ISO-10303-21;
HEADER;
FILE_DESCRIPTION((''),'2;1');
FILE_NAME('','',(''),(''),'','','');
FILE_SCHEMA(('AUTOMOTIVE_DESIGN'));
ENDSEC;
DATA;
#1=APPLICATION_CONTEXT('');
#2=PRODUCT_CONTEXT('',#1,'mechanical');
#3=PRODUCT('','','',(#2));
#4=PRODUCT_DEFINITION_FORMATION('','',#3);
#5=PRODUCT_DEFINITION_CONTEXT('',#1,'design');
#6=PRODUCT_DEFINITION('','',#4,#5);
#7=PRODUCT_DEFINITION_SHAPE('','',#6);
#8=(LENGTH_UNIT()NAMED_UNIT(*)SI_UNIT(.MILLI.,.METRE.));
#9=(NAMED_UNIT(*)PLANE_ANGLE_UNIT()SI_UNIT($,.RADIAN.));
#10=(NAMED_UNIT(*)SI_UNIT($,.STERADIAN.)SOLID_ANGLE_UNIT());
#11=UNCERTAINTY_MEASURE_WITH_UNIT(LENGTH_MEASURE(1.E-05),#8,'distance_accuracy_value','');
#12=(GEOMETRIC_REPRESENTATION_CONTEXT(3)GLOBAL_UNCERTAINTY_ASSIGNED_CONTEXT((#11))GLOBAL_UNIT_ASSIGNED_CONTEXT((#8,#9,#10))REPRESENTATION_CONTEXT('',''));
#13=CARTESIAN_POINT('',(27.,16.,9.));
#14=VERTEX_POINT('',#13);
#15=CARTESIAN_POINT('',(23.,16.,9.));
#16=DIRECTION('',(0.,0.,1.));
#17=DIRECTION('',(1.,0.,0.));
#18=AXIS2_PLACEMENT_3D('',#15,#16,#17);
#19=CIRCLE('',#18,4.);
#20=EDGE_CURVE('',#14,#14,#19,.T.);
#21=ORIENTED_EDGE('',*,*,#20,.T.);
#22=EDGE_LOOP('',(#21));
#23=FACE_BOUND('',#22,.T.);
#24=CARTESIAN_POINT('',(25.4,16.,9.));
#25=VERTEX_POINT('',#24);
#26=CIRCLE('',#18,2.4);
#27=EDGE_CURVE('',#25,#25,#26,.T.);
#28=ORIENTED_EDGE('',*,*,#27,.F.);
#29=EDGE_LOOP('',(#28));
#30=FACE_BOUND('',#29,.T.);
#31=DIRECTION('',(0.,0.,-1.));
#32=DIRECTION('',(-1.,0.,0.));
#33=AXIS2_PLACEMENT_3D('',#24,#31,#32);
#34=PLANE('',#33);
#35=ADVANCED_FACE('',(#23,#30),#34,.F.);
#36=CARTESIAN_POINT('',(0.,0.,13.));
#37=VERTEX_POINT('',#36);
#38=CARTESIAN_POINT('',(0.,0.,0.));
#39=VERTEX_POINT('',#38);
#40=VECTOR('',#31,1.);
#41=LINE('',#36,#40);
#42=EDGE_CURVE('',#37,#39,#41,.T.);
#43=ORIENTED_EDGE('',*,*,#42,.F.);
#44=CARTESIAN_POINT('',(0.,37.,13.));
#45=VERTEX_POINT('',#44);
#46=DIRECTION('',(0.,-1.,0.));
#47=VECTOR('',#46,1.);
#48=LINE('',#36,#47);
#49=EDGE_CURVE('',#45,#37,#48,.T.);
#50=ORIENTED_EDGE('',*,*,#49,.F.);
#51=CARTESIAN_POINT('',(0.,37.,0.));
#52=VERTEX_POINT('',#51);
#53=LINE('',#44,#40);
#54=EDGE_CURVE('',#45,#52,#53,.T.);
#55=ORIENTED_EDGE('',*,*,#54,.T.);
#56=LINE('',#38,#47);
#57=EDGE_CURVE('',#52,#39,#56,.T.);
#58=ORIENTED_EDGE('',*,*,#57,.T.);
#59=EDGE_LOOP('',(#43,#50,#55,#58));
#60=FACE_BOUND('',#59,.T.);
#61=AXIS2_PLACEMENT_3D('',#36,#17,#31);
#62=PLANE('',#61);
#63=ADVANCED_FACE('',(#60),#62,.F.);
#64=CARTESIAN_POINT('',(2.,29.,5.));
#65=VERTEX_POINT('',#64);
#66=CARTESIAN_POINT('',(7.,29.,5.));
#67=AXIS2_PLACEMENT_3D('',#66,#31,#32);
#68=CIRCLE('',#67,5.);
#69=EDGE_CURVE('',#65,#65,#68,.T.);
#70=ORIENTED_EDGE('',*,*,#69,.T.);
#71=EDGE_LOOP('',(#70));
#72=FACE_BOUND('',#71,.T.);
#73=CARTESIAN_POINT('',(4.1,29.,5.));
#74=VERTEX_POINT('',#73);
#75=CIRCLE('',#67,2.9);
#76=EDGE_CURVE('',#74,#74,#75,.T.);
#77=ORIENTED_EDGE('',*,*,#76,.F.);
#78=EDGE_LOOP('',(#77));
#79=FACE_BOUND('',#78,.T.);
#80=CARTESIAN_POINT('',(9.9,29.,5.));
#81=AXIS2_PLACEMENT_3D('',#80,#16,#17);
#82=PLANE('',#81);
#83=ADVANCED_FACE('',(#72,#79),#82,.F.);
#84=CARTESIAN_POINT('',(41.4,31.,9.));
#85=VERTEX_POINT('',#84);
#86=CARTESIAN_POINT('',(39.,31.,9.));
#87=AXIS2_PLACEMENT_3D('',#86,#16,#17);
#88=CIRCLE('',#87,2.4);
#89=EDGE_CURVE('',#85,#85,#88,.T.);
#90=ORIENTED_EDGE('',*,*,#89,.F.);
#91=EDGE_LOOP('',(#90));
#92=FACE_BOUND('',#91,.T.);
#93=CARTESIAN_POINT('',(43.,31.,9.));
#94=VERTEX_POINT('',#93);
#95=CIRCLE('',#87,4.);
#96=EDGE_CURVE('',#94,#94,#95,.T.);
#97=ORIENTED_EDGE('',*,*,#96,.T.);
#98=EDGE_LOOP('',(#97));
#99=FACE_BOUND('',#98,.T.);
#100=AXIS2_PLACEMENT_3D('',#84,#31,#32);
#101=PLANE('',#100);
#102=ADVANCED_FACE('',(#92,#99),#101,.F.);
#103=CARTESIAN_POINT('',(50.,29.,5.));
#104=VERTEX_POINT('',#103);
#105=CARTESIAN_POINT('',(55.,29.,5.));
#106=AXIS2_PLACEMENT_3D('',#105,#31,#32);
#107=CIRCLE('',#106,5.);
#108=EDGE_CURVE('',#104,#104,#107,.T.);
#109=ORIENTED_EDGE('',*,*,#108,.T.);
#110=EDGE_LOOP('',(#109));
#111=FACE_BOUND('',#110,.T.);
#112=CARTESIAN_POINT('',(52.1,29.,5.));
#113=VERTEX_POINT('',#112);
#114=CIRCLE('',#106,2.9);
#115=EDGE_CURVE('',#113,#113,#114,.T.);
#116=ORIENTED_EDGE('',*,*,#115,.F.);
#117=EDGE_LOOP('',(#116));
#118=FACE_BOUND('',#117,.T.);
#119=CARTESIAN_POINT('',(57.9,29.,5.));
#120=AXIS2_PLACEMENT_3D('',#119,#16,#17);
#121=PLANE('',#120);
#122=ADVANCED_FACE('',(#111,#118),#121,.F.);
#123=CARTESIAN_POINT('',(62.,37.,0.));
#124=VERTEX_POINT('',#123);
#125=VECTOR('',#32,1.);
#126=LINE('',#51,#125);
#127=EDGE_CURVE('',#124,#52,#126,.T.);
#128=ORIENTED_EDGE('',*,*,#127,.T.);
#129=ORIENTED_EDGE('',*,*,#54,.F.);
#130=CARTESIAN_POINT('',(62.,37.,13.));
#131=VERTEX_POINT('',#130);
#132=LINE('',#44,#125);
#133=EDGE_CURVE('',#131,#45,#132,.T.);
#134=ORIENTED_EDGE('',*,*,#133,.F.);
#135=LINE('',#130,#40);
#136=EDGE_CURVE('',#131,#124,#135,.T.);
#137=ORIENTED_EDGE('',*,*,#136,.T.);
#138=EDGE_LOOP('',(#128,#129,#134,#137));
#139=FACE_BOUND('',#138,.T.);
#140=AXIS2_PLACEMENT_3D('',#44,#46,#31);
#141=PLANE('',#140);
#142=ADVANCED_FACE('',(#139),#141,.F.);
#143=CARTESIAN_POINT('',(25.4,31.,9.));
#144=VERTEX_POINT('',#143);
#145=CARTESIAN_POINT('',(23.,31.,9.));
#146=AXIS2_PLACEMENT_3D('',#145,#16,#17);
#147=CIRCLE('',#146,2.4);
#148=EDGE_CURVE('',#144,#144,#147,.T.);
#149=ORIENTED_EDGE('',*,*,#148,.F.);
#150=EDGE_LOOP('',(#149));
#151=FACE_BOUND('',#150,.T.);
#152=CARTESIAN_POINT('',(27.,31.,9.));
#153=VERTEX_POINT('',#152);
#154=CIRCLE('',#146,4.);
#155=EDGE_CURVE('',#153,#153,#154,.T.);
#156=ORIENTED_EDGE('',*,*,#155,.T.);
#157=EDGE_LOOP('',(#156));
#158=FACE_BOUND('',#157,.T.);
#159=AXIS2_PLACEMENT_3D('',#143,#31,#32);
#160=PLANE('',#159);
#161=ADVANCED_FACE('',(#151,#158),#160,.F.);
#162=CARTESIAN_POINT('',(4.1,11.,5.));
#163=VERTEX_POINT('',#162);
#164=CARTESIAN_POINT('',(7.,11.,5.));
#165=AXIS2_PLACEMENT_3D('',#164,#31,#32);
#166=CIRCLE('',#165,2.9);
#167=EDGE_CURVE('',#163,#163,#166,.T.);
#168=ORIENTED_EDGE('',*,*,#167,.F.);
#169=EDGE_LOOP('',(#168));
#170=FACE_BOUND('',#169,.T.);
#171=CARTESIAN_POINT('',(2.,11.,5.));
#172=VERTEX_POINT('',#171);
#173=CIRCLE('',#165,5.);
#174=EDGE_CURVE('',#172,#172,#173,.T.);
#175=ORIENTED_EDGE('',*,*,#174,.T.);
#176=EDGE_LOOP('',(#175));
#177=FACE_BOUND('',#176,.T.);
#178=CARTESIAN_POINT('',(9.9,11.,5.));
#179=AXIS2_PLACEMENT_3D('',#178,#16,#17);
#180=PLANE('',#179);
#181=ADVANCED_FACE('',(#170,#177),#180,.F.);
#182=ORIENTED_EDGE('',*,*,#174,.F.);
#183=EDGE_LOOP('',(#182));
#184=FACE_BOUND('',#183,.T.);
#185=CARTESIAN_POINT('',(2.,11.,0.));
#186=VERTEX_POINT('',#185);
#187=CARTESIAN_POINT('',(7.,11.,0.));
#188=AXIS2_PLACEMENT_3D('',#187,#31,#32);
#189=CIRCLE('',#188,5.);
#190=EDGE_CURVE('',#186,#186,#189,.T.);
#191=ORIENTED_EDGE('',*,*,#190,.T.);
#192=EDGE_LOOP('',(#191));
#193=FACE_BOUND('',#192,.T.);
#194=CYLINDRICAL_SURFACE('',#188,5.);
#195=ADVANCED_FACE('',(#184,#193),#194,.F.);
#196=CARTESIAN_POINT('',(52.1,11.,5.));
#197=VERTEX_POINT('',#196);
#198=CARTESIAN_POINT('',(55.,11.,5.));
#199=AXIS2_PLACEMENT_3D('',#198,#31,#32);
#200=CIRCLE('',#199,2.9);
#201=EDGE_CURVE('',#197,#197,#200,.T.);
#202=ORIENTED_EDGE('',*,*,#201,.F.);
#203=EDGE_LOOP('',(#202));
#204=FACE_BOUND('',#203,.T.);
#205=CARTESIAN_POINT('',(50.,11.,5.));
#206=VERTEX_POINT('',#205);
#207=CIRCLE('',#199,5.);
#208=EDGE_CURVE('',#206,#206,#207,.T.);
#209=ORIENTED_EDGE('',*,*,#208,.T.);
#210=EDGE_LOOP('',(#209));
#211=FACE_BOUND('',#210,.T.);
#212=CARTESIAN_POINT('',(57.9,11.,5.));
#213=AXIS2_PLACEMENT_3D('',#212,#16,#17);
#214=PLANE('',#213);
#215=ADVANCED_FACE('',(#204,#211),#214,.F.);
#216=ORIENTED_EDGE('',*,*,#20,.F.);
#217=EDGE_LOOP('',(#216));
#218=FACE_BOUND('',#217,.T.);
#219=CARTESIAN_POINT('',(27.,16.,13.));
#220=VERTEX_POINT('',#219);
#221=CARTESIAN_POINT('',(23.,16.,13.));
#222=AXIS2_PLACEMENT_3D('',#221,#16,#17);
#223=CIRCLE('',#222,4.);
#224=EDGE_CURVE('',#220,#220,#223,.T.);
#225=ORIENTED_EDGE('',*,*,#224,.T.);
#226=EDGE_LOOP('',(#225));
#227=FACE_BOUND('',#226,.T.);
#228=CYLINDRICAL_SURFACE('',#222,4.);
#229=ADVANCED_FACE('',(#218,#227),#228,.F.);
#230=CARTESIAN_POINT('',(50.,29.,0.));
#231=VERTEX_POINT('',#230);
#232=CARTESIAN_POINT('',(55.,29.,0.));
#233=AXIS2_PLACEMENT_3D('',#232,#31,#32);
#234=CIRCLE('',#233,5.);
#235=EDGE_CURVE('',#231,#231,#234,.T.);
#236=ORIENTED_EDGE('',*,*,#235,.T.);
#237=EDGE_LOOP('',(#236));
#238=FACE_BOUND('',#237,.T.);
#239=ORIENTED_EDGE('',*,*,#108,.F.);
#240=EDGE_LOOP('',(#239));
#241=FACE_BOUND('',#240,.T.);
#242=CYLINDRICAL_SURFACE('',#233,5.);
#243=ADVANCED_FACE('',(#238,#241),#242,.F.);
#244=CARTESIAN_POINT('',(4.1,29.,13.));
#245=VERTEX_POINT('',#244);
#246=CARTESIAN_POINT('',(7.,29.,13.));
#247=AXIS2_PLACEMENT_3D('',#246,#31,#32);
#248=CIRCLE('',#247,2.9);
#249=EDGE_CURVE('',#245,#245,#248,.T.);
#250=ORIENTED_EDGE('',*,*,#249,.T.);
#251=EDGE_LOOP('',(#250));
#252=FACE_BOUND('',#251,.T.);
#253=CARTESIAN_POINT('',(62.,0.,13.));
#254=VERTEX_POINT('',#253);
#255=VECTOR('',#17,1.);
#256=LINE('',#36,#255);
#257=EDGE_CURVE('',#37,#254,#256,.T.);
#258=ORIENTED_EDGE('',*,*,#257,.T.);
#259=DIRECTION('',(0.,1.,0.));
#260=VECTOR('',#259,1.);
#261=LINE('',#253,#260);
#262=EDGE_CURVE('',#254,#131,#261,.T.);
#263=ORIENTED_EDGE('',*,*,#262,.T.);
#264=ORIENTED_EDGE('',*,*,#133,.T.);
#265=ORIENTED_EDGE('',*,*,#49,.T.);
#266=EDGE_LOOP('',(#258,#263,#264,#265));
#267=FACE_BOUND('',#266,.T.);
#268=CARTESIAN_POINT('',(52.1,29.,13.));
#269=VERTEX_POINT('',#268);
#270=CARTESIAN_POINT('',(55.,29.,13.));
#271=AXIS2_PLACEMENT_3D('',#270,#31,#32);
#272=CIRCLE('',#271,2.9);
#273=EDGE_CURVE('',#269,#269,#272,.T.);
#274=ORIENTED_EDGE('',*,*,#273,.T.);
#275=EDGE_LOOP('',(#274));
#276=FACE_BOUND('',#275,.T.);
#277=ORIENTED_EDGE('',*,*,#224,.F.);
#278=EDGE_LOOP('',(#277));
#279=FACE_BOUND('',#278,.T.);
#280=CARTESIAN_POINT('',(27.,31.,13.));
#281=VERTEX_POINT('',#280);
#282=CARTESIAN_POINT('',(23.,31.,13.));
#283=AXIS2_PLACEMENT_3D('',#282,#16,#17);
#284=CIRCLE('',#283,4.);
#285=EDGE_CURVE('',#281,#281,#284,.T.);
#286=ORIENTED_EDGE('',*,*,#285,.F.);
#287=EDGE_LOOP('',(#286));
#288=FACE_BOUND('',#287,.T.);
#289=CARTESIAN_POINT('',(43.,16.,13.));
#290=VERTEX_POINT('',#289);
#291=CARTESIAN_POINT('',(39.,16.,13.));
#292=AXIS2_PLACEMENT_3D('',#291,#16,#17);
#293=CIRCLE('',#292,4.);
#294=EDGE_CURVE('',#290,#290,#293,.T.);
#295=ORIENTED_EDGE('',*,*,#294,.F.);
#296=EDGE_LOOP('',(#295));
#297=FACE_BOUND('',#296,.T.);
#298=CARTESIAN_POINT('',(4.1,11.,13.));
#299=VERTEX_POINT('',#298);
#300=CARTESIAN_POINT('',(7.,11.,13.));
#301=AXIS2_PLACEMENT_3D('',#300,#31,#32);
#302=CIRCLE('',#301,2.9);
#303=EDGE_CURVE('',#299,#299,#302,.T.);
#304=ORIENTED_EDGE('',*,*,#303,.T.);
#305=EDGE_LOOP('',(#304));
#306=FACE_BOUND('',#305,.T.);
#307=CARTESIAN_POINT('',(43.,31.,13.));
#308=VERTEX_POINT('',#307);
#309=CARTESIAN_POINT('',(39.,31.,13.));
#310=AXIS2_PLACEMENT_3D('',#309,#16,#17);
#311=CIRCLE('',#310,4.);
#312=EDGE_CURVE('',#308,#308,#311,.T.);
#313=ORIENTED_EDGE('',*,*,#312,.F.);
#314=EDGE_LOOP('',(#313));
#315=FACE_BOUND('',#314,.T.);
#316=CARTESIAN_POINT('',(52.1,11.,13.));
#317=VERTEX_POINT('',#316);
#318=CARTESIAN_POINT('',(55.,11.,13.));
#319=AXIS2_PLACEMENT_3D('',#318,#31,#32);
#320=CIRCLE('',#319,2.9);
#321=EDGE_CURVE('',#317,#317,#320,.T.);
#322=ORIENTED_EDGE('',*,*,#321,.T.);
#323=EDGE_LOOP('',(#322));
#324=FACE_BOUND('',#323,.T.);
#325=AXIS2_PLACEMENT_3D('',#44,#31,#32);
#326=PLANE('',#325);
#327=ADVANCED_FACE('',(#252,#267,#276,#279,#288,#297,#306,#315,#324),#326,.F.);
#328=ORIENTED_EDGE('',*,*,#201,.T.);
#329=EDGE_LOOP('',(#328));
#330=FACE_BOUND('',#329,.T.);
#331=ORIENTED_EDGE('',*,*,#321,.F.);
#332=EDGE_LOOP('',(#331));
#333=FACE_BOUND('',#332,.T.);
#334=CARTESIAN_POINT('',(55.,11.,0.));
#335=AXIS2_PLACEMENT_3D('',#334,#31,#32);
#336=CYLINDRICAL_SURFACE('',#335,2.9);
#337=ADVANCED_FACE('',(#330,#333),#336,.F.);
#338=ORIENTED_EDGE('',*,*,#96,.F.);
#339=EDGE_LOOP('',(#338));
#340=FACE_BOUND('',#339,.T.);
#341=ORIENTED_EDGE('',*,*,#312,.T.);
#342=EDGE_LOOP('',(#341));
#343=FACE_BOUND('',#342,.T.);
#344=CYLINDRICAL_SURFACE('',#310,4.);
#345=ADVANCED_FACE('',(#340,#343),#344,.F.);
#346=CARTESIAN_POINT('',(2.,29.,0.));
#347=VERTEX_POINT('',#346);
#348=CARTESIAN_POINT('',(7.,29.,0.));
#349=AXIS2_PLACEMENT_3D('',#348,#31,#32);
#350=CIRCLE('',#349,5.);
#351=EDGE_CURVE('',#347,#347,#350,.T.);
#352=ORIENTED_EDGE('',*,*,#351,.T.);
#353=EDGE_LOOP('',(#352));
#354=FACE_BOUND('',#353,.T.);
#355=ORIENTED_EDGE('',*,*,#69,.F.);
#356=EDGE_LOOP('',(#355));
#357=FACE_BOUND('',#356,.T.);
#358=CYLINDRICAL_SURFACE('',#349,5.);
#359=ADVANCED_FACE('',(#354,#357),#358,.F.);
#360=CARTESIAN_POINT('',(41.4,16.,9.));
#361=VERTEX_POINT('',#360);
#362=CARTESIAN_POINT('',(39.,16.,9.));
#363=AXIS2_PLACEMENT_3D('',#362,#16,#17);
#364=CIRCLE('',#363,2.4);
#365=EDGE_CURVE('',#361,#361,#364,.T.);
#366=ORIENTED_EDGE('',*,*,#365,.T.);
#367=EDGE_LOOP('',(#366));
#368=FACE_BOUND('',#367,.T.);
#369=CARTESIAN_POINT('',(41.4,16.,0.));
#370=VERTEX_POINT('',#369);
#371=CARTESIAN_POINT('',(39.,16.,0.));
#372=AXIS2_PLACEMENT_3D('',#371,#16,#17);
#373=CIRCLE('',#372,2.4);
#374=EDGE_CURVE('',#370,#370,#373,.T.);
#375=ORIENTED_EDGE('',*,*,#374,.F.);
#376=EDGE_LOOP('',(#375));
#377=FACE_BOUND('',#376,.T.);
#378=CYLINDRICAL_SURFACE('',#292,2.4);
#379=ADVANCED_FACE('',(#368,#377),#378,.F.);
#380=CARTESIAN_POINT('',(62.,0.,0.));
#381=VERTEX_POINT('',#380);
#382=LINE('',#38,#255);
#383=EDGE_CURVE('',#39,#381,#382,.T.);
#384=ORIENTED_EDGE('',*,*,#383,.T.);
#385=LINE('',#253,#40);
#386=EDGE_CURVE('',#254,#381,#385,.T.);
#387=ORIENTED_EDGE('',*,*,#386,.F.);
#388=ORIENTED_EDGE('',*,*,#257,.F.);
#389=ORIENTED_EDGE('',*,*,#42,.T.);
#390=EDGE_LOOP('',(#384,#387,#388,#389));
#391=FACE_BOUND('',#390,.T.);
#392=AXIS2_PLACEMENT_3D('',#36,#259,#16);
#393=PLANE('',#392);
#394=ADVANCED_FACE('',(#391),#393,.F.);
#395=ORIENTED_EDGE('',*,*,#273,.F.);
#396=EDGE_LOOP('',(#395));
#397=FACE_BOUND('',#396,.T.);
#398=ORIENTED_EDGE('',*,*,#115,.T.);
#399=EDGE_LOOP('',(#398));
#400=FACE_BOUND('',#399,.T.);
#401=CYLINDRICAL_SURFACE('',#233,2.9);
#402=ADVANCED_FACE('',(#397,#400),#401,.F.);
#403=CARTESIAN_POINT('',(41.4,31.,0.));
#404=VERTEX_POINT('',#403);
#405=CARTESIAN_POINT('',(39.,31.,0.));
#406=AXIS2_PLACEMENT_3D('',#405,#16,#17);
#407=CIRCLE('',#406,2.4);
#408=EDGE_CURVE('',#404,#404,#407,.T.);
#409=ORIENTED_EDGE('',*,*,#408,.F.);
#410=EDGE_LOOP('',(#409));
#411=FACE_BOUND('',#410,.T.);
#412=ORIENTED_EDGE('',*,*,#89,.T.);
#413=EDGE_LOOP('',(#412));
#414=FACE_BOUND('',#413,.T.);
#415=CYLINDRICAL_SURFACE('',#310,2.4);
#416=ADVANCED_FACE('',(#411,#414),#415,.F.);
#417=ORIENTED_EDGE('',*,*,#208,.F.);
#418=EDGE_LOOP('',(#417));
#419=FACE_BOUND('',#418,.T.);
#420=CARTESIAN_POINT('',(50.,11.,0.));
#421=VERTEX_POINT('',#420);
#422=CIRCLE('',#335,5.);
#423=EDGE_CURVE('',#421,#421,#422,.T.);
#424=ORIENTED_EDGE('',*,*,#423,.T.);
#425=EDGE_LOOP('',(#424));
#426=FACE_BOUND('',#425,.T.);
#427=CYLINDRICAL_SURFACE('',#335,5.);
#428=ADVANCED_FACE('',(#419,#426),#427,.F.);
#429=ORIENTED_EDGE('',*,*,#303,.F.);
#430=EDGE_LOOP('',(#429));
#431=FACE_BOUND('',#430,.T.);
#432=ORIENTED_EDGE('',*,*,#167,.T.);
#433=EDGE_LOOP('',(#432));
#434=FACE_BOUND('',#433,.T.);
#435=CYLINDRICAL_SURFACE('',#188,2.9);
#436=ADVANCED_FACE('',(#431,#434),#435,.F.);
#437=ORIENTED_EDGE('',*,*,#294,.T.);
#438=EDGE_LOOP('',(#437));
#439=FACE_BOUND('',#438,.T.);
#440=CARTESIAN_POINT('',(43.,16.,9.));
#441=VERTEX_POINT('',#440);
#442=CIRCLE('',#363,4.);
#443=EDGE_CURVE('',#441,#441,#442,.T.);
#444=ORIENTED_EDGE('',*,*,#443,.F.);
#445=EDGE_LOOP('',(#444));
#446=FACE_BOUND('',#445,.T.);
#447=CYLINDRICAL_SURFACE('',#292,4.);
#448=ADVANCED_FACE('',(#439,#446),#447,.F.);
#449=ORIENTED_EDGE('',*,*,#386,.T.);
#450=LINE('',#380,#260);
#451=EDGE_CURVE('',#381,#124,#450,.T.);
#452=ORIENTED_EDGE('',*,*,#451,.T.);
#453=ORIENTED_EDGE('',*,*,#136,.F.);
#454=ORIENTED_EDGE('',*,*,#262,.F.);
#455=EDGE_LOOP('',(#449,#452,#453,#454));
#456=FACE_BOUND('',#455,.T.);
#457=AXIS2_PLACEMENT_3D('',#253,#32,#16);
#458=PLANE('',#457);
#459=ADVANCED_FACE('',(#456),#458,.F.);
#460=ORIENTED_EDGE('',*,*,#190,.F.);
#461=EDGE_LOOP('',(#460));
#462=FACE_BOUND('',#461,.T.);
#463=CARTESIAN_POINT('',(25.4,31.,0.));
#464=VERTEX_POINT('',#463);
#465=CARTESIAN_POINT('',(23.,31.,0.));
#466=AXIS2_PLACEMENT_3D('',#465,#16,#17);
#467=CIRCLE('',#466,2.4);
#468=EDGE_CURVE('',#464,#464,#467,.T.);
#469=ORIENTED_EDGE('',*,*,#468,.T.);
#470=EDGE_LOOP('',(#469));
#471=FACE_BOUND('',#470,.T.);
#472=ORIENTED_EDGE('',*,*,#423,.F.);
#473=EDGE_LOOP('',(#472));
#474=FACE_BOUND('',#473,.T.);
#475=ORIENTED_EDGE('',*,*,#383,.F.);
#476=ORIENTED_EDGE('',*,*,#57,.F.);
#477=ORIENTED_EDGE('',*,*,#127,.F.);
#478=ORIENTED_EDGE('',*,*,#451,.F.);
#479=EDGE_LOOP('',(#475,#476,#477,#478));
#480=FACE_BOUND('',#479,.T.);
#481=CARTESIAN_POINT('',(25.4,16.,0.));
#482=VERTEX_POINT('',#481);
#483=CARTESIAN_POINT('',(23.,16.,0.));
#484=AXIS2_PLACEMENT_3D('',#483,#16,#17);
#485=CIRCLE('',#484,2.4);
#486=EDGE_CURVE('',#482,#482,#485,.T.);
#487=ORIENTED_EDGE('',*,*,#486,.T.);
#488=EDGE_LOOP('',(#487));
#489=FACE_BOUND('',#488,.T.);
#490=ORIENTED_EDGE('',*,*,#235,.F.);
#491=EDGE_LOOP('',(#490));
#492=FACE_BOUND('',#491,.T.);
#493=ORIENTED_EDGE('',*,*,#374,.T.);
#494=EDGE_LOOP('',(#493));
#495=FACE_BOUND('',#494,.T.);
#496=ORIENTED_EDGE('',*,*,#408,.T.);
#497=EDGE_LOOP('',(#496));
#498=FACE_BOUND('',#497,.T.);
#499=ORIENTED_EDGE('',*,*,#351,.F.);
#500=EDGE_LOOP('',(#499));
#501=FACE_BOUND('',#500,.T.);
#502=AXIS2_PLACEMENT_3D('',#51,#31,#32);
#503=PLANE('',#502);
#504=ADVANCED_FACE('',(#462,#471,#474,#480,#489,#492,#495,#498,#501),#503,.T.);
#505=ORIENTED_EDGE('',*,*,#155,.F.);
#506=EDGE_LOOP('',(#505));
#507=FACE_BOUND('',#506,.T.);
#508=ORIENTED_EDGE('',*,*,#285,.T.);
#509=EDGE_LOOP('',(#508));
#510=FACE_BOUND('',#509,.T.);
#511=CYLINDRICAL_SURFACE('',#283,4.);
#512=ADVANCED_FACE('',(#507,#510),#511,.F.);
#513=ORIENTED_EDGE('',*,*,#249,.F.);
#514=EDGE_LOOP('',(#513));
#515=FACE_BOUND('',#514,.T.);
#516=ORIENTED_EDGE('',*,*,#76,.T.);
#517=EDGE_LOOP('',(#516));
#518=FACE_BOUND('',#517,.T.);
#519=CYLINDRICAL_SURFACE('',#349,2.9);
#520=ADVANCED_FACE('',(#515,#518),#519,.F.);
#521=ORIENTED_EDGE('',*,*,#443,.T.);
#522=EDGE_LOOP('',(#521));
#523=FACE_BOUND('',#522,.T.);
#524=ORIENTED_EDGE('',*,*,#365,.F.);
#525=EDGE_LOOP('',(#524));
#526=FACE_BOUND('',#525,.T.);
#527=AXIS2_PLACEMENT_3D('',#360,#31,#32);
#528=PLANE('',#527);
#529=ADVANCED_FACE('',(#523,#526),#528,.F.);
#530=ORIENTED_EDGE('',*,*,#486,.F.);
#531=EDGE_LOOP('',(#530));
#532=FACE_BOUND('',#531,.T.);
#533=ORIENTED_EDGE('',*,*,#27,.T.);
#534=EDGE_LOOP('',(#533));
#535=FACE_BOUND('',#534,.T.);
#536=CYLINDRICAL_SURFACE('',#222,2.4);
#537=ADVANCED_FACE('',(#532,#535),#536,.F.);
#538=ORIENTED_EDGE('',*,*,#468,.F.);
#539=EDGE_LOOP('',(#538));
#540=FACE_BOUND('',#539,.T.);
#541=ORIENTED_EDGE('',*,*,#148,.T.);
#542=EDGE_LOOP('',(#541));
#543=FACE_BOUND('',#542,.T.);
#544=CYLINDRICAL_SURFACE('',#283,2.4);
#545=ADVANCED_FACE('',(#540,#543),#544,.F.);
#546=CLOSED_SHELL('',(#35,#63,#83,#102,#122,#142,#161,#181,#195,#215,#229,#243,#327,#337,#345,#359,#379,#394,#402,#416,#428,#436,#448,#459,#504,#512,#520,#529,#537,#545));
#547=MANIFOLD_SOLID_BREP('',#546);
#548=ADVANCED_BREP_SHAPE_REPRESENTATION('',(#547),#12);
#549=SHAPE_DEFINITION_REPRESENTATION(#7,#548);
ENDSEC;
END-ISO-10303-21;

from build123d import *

# Parameters (mm, degrees)
SKETCH_1_W                   = 62
SKETCH_1_H                   = 37
EXTRUDE_1_DEPTH              = 13
HOLE_WIZARD_M5_1_D           = 5.8
HOLE_WIZARD_M5_1_CBORE_D     = 10
HOLE_WIZARD_M5_1_CBORE_DEPTH = 5
HOLE_WIZARD_M4_3_D           = 4.8
HOLE_WIZARD_M4_3_CBORE_D     = 8
HOLE_WIZARD_M4_3_CBORE_DEPTH = 4


with BuildPart() as part:
    # 草图1 → 凸台-拉伸1 (new body)
    with BuildSketch(Plane.XY):
        with Locations((31, 18.5)):
            Rectangle(SKETCH_1_W, SKETCH_1_H)
    extrude(amount=EXTRUDE_1_DEPTH)

    # M5 六角凹头螺钉的柱形沉头孔1 (through all)
    with Locations(Plane(origin=(0, 0, 0), x_dir=(-1, 0, 0), z_dir=(0, 0, -1))):
        with Locations((-7, 11), (-7, 29), (-55, 11), (-55, 29)):
            CounterBoreHole(HOLE_WIZARD_M5_1_D / 2, HOLE_WIZARD_M5_1_CBORE_D / 2, HOLE_WIZARD_M5_1_CBORE_DEPTH)

    # M4 六角凹头螺钉的柱形沉头孔3 (through all)
    with Locations(Plane.XY.offset(13)):
        with Locations((39, 16), (23, 16), (23, 31), (39, 31)):
            CounterBoreHole(HOLE_WIZARD_M4_3_D / 2, HOLE_WIZARD_M4_3_CBORE_D / 2, HOLE_WIZARD_M4_3_CBORE_DEPTH)


solid = part.part
